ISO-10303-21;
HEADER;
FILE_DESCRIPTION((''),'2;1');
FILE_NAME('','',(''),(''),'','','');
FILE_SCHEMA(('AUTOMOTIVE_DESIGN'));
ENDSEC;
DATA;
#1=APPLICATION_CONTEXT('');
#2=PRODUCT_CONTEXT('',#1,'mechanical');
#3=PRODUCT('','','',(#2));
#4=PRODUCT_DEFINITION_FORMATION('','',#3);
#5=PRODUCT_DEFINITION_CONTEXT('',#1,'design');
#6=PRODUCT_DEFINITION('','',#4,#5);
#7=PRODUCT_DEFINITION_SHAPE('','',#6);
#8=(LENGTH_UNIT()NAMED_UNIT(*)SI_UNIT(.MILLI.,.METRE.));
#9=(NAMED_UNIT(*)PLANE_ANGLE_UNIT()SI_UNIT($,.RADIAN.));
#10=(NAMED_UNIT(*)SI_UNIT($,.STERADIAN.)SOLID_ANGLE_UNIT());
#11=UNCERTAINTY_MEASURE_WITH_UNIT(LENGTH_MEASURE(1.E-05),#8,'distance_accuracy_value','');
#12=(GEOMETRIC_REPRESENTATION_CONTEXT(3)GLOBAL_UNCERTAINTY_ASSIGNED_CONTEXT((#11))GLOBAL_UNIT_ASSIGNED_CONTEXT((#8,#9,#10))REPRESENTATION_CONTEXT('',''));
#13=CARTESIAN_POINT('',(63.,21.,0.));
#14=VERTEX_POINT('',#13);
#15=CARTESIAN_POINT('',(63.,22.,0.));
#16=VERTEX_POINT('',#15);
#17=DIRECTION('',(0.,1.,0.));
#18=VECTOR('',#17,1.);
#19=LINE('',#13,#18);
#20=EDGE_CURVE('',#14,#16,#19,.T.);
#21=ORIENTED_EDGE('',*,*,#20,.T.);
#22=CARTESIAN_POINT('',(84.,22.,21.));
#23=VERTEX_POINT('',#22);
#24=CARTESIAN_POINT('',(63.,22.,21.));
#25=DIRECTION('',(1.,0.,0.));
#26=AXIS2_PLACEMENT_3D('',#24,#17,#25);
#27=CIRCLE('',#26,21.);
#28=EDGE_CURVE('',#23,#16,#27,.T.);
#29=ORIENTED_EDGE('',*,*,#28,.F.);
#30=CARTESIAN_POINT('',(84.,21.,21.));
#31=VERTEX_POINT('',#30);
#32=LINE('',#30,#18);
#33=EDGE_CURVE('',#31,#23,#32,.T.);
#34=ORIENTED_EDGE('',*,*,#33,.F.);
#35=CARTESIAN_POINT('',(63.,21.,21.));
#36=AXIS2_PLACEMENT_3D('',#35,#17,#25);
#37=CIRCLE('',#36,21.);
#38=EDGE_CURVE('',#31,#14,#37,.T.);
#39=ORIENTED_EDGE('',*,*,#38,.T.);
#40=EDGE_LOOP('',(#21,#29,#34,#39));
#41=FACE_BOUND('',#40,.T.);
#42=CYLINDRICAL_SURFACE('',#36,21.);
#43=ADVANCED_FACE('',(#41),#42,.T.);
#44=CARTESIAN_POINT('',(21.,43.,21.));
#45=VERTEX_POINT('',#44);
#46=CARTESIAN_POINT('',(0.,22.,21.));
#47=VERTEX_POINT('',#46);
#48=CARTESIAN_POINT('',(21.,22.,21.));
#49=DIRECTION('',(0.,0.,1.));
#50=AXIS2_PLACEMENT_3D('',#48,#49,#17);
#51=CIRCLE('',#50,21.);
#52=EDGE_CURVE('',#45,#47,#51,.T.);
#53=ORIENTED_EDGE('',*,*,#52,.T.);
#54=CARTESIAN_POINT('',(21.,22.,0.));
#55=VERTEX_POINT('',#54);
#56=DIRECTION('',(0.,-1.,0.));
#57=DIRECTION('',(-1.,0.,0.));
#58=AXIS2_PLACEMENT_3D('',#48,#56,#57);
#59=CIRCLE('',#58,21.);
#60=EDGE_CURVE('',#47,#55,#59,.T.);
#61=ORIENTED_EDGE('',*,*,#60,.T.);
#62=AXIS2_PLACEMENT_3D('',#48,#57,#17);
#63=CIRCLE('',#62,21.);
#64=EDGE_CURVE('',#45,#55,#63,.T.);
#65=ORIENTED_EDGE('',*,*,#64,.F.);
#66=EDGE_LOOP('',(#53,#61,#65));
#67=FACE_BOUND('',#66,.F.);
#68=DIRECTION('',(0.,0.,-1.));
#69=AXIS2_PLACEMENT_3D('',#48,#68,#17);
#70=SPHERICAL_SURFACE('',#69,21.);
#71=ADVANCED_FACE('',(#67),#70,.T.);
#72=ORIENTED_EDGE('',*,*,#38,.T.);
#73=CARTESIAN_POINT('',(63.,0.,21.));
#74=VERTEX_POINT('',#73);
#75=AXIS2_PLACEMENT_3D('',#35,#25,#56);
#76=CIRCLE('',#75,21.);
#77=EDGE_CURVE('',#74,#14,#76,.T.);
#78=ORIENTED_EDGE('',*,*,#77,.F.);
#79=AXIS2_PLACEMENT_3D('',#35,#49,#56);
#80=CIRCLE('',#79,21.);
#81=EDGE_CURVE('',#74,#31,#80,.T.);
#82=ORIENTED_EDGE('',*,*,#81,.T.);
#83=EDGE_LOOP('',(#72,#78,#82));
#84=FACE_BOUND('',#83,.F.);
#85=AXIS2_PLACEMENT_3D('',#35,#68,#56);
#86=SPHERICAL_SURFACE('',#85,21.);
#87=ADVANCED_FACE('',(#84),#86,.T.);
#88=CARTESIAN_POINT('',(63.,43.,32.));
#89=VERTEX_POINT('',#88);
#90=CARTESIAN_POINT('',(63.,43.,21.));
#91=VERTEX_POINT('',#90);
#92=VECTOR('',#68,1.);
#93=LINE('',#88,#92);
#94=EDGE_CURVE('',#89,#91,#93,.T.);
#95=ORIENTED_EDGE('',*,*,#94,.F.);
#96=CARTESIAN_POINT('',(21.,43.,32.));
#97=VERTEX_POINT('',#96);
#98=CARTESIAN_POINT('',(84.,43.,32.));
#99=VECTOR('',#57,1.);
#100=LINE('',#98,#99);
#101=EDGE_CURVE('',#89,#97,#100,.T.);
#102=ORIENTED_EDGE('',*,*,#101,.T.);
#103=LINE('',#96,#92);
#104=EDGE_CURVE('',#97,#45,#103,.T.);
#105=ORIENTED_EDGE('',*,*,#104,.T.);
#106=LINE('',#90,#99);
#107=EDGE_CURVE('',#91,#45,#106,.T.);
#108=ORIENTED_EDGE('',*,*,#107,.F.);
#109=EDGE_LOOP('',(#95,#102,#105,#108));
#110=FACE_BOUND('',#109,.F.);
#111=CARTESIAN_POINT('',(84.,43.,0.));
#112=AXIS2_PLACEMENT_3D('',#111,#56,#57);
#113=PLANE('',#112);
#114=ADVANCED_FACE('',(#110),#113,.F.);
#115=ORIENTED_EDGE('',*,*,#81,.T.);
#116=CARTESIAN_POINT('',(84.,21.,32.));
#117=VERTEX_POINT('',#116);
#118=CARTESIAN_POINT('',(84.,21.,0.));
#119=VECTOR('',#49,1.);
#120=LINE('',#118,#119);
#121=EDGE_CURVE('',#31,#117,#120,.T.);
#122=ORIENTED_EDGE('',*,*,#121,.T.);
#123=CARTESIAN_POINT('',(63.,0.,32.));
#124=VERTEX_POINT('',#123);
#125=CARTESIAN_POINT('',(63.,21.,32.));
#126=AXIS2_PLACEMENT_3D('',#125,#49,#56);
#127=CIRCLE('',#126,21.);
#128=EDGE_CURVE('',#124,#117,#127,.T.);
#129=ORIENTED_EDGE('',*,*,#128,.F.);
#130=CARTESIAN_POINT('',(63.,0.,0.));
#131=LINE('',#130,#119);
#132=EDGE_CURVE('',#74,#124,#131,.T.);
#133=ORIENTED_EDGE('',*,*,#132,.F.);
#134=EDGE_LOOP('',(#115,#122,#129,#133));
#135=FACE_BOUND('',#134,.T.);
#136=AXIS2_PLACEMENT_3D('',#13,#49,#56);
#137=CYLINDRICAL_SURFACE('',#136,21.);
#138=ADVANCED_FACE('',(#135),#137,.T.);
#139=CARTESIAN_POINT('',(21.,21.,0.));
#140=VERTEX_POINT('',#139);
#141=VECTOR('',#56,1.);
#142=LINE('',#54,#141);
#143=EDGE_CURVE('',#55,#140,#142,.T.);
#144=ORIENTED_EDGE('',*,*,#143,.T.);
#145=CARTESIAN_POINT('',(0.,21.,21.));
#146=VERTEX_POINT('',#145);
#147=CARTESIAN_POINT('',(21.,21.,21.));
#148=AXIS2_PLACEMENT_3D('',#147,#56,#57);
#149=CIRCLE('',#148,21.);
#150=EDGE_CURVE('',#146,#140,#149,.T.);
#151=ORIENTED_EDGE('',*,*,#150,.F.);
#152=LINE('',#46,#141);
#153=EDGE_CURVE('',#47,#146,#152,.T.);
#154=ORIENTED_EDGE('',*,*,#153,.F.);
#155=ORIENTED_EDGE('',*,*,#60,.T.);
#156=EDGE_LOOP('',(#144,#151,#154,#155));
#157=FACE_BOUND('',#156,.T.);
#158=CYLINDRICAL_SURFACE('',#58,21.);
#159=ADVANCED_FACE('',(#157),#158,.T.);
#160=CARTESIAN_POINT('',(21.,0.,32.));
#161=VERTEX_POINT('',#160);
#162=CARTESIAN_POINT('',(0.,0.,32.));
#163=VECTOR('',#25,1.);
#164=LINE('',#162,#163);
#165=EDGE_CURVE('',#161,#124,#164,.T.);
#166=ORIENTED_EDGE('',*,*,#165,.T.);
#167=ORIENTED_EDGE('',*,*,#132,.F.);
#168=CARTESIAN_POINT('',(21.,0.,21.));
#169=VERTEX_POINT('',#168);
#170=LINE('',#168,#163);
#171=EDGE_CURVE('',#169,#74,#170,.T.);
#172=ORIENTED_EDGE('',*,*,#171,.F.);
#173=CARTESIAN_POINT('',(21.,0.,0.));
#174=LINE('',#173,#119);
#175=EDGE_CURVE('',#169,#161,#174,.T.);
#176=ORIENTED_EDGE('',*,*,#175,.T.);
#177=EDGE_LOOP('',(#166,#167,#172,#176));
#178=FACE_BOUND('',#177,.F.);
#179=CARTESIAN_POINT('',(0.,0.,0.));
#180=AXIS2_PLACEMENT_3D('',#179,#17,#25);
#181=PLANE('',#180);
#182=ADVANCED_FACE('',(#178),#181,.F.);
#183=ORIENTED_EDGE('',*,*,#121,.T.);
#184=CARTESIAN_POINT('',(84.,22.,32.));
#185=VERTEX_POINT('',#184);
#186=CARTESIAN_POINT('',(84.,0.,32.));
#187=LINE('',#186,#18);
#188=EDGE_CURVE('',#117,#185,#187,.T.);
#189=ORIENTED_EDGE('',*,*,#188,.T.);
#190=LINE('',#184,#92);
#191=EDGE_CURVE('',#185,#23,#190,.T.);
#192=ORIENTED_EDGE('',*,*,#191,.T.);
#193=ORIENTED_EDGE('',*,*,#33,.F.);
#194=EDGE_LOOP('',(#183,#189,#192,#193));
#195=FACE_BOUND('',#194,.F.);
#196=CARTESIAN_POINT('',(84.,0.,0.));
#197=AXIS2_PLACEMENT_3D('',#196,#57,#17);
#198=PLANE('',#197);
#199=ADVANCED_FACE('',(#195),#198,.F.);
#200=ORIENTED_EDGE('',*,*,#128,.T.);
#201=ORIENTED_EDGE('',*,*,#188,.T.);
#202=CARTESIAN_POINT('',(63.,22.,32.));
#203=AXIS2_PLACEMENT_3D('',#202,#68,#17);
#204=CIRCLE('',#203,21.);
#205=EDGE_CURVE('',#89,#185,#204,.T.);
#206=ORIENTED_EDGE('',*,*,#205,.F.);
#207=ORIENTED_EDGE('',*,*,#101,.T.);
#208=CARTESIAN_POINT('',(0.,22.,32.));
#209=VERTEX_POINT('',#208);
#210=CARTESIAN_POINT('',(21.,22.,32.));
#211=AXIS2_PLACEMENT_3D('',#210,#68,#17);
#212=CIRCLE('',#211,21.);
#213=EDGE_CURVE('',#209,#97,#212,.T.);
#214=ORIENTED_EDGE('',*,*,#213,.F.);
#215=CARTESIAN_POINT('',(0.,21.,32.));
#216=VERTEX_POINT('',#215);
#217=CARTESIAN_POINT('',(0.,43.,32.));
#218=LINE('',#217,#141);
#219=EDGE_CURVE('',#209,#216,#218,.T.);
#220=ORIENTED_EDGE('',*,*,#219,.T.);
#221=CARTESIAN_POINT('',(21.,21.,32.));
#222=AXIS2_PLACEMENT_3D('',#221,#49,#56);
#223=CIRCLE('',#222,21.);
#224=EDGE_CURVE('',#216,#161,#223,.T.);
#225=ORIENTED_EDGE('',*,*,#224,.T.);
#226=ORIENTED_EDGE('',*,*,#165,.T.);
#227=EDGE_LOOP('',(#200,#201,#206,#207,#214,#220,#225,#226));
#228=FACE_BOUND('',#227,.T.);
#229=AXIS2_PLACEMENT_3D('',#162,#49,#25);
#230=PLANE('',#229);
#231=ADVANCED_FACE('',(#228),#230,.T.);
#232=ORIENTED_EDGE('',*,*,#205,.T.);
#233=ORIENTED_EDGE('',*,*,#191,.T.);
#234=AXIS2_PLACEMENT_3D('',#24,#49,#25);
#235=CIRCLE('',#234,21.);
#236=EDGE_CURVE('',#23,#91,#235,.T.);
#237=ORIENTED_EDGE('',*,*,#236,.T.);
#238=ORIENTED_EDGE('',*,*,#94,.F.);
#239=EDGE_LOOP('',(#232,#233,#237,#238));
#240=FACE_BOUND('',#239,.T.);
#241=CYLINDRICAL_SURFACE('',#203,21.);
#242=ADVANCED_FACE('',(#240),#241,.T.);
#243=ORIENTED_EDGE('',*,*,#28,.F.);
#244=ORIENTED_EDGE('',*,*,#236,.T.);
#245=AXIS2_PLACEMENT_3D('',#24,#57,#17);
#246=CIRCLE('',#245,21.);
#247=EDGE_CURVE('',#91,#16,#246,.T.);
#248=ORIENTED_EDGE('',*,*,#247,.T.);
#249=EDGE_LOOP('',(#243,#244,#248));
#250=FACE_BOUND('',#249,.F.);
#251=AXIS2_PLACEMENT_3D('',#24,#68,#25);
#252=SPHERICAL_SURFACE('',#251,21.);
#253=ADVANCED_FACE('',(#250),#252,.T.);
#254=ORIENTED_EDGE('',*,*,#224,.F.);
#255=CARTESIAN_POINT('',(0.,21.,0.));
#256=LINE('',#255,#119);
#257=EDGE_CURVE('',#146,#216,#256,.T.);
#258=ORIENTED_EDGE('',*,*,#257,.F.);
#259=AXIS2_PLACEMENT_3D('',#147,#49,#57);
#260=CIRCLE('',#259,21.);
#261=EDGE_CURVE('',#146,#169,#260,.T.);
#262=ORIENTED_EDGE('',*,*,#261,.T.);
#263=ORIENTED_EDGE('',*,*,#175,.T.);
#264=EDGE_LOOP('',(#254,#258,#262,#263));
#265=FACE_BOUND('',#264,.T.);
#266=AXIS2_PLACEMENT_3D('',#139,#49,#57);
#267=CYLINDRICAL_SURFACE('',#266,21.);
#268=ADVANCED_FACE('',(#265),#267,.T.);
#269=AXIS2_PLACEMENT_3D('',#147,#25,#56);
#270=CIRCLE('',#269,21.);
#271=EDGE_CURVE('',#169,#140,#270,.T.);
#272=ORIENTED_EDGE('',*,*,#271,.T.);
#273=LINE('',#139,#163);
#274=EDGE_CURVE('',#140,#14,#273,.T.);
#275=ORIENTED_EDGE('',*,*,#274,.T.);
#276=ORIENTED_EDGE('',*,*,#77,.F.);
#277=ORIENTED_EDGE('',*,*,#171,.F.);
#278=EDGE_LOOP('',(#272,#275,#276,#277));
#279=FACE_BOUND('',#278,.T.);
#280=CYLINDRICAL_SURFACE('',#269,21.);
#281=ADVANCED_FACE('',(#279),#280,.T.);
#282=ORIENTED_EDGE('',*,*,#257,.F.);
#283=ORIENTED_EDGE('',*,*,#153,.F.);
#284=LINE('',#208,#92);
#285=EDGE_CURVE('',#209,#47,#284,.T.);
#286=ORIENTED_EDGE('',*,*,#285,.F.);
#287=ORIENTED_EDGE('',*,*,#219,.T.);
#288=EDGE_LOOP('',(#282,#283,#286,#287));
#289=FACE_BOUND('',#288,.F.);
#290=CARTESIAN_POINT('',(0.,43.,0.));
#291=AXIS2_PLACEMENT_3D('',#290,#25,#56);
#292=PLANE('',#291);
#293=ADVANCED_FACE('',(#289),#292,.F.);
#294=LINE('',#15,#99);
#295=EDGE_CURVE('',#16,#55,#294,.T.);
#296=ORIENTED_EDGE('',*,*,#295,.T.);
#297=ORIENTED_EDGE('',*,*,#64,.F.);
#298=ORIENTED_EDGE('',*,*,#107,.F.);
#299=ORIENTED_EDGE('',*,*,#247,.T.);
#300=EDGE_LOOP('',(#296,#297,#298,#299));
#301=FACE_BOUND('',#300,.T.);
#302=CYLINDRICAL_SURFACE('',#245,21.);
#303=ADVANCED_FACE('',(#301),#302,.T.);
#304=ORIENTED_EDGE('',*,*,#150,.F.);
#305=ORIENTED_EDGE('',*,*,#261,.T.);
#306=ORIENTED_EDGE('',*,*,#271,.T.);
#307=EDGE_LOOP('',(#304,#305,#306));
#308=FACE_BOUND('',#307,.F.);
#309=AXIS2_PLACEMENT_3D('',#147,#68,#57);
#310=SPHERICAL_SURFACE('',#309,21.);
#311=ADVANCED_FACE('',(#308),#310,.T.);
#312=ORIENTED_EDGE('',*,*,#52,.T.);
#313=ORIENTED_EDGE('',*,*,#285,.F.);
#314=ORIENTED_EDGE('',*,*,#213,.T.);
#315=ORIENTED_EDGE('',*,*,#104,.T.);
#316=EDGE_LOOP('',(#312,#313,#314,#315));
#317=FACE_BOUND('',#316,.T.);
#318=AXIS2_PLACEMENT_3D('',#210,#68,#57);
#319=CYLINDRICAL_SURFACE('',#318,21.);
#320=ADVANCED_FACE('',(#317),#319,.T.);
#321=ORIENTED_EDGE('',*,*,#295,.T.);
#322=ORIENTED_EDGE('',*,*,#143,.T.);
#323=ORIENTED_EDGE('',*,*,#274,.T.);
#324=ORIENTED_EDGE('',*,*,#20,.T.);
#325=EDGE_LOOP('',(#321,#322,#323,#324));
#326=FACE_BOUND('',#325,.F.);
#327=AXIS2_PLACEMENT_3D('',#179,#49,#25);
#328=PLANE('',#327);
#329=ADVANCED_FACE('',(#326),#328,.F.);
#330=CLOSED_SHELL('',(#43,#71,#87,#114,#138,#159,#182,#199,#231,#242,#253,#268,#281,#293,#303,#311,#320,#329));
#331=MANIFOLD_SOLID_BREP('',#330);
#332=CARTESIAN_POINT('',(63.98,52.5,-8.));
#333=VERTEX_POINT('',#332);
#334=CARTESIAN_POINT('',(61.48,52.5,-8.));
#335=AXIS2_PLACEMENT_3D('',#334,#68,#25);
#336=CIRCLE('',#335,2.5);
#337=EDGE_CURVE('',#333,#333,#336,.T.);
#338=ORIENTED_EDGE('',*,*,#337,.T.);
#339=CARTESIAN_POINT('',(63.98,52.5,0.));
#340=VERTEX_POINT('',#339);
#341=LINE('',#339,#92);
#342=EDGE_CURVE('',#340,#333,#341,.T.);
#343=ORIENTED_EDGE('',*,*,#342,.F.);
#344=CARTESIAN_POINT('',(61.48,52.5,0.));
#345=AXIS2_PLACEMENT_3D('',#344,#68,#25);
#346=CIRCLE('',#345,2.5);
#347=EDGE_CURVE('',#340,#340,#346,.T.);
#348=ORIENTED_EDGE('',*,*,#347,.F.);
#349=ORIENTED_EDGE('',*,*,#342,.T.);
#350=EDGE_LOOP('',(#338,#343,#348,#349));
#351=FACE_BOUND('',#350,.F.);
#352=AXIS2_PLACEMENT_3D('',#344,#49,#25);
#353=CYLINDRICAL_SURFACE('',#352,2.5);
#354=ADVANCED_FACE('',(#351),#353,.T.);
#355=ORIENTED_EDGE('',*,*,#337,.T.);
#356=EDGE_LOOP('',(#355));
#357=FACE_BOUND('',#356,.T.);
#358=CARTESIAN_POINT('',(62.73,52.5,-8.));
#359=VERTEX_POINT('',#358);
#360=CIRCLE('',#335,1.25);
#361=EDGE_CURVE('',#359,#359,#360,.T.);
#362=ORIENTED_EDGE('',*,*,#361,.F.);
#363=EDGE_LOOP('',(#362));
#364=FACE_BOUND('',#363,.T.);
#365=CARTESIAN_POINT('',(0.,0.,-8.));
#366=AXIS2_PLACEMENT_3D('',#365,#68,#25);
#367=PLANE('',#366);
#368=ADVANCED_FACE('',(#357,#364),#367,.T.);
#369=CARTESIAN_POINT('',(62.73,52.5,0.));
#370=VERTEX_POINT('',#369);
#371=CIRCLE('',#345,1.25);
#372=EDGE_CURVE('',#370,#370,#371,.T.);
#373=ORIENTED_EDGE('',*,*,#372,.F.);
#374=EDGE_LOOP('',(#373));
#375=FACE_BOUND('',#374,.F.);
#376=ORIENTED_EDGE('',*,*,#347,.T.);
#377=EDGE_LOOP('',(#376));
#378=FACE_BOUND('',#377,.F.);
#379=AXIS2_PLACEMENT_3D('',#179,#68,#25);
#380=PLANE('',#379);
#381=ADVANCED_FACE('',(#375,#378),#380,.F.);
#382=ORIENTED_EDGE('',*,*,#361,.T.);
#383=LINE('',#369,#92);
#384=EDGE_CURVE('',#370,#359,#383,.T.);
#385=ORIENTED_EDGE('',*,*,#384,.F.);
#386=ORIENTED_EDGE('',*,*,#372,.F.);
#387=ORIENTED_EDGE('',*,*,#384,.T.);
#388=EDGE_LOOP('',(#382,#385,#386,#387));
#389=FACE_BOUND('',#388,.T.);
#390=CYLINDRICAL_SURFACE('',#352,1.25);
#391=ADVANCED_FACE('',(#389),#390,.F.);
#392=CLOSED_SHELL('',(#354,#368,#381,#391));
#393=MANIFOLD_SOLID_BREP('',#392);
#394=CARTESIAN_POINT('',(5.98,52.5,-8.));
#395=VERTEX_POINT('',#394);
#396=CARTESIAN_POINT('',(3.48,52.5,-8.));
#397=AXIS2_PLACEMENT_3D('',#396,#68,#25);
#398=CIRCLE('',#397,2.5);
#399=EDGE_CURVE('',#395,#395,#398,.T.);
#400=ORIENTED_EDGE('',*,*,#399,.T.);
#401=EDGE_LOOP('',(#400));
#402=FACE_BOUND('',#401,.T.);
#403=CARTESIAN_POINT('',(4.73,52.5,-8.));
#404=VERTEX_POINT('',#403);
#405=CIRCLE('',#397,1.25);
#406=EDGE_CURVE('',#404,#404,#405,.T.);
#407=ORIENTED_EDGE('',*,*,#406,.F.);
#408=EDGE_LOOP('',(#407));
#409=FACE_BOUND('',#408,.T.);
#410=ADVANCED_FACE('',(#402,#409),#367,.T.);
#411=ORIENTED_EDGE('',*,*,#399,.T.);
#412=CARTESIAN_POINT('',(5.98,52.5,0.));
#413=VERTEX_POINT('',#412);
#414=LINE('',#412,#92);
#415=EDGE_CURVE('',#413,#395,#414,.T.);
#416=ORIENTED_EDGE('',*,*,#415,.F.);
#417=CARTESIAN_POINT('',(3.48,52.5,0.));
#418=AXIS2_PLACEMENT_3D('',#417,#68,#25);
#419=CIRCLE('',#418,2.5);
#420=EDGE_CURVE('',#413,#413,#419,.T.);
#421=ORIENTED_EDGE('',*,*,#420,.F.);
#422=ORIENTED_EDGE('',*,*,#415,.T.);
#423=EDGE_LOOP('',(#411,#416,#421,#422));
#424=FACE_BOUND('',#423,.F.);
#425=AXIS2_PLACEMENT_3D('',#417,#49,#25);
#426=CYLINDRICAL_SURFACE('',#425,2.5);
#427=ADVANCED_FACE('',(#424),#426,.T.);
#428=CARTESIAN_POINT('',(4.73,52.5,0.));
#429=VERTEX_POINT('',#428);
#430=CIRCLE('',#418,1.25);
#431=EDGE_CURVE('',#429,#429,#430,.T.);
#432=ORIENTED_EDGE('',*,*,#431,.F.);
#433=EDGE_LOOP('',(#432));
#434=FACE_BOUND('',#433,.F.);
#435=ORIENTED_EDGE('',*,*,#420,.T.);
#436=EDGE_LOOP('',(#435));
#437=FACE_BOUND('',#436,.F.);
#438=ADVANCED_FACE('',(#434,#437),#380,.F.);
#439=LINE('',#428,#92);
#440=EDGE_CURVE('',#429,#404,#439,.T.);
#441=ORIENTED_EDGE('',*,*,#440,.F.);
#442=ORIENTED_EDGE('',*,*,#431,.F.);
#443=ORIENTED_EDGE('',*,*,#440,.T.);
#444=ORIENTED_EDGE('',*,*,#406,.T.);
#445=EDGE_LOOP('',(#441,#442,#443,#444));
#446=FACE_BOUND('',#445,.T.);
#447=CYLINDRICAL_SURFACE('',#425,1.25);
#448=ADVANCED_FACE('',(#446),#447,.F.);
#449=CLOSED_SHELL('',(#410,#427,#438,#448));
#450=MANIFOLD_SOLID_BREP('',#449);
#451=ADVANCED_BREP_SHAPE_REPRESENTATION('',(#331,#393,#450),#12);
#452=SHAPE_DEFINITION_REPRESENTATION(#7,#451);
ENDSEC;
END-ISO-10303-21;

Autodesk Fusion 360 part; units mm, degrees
sketch "Sketch1" plane through (0, 0, 0) normal (0, 0, 1) x (1, 0, 0)
  line L0 (0, 0) -> (85, 0)
  line L1 (85, 0) -> (85, 56)
  line L2 (85, 56) -> (0, 56)
  line L3 (0, 56) -> (0, 0)
  dimension "d1" = 85
  dimension "d2" = 56
extrude "Extrude1" add sketch "Sketch1" along normal blind 6
sketch "Sketch2" plane through (0, 0, 6) normal (0, 0, 1) x (-1, 0, 0)
  line L0 (0, -56) -> (0, 0)
  line L1 (0, 0) -> (-85, 0)
  line L2 (-85, 0) -> (-85, -56)
  line L3 (-85, -56) -> (0, -56)
  line L4 (-85, 0) -> (-85, -3)
  line L5 (-85, -3) -> (-82.59, -3)
  line L6 (-82.59, -3) -> (-8.55, -3)
  line L7 (-8.55, -3) -> (-8.55, -52.56)
  line L8 (-8.55, -52.56) -> (-82.59, -52.56)
  line L9 (-82.59, -52.56) -> (-82.59, -3)
  dimension "d5" = 3
  dimension "d6" = 2.41
  dimension "d7" = 74.04
  dimension "d8" = 49.56
extrude "Extrude2" cut sketch "Sketch2" against normal blind 0.1 contours L6 L7 L8 L9
sketch "Sketch3" plane through (0, 0, 0) normal (0, 0, -1) x (1, 0, 0)
  line L0 (0, 0) -> (0, -56)
  line L1 (0, -56) -> (85, -56)
  line L2 (85, -56) -> (85, 0)
  line L3 (85, 0) -> (0, 0)
  line L4 (0, 0) -> (0, -56)
  circle A0 centre (3.48, -3.5) radius 1.25
  circle A1 centre (3.48, -52.5) radius 1.25
  circle A2 centre (3.48, -52.5) radius 2.5
  circle A3 centre (3.48, -3.5) radius 2.5
  circle A4 centre (61.48, -52.5) radius 1.25
  circle A5 centre (61.48, -3.5) radius 1.25
  circle A6 centre (61.48, -3.5) radius 2.5
  circle A7 centre (61.48, -52.5) radius 2.5
  dimension "d14" = 2.5
  dimension "d15" = 2.5
  dimension "d16" = 5
  dimension "d17" = 5
  dimension "d18" = 58
  dimension "d20" = 2.5
  dimension "d21" = 2.5
  dimension "d22" = 5
  dimension "d23" = 5
extrude "Extrude3" add sketch "Sketch3" along normal blind 8 contours A2 | A3 | A6 | A7

Autodesk Fusion 360 part; units mm, degrees
sketch "Sketch1" plane through (0, 0, 0) normal (0, 0, 1) x (1, 0, 0)
  line L0 (0, 0) -> (84, 0)
  line L1 (84, 0) -> (84, 43)
  line L2 (84, 43) -> (0, 43)
  line L3 (0, 43) -> (0, 0)
  dimension "d4" = 84
  dimension "d5" = 43
extrude "Extrude1" add sketch "Sketch1" along normal blind 32
fillet "Fillet1" radius 21 4 edges at (0, 0, 16) (0, 43, 16) (84, 43, 16) (84, 0, 16)
fillet "Fillet2" radius 21 8 edges at (0, 21.5, 0) (6.1508, 6.1508, 0) (42, 0, 0) (77.8492, 6.1508, 0) (84, 21.5, 0) (77.8492, 36.8492, 0) (42, 43, 0) (6.1508, 36.8492, 0)
equation "LSpeaker = 84 mm"
equation "WSpeaker = 43 mm"
equation "DSpeaker = 32 mm"
equation "d4 = LSpeaker"
equation "d5 = WSpeaker"
equation "d6 = DSpeaker"
